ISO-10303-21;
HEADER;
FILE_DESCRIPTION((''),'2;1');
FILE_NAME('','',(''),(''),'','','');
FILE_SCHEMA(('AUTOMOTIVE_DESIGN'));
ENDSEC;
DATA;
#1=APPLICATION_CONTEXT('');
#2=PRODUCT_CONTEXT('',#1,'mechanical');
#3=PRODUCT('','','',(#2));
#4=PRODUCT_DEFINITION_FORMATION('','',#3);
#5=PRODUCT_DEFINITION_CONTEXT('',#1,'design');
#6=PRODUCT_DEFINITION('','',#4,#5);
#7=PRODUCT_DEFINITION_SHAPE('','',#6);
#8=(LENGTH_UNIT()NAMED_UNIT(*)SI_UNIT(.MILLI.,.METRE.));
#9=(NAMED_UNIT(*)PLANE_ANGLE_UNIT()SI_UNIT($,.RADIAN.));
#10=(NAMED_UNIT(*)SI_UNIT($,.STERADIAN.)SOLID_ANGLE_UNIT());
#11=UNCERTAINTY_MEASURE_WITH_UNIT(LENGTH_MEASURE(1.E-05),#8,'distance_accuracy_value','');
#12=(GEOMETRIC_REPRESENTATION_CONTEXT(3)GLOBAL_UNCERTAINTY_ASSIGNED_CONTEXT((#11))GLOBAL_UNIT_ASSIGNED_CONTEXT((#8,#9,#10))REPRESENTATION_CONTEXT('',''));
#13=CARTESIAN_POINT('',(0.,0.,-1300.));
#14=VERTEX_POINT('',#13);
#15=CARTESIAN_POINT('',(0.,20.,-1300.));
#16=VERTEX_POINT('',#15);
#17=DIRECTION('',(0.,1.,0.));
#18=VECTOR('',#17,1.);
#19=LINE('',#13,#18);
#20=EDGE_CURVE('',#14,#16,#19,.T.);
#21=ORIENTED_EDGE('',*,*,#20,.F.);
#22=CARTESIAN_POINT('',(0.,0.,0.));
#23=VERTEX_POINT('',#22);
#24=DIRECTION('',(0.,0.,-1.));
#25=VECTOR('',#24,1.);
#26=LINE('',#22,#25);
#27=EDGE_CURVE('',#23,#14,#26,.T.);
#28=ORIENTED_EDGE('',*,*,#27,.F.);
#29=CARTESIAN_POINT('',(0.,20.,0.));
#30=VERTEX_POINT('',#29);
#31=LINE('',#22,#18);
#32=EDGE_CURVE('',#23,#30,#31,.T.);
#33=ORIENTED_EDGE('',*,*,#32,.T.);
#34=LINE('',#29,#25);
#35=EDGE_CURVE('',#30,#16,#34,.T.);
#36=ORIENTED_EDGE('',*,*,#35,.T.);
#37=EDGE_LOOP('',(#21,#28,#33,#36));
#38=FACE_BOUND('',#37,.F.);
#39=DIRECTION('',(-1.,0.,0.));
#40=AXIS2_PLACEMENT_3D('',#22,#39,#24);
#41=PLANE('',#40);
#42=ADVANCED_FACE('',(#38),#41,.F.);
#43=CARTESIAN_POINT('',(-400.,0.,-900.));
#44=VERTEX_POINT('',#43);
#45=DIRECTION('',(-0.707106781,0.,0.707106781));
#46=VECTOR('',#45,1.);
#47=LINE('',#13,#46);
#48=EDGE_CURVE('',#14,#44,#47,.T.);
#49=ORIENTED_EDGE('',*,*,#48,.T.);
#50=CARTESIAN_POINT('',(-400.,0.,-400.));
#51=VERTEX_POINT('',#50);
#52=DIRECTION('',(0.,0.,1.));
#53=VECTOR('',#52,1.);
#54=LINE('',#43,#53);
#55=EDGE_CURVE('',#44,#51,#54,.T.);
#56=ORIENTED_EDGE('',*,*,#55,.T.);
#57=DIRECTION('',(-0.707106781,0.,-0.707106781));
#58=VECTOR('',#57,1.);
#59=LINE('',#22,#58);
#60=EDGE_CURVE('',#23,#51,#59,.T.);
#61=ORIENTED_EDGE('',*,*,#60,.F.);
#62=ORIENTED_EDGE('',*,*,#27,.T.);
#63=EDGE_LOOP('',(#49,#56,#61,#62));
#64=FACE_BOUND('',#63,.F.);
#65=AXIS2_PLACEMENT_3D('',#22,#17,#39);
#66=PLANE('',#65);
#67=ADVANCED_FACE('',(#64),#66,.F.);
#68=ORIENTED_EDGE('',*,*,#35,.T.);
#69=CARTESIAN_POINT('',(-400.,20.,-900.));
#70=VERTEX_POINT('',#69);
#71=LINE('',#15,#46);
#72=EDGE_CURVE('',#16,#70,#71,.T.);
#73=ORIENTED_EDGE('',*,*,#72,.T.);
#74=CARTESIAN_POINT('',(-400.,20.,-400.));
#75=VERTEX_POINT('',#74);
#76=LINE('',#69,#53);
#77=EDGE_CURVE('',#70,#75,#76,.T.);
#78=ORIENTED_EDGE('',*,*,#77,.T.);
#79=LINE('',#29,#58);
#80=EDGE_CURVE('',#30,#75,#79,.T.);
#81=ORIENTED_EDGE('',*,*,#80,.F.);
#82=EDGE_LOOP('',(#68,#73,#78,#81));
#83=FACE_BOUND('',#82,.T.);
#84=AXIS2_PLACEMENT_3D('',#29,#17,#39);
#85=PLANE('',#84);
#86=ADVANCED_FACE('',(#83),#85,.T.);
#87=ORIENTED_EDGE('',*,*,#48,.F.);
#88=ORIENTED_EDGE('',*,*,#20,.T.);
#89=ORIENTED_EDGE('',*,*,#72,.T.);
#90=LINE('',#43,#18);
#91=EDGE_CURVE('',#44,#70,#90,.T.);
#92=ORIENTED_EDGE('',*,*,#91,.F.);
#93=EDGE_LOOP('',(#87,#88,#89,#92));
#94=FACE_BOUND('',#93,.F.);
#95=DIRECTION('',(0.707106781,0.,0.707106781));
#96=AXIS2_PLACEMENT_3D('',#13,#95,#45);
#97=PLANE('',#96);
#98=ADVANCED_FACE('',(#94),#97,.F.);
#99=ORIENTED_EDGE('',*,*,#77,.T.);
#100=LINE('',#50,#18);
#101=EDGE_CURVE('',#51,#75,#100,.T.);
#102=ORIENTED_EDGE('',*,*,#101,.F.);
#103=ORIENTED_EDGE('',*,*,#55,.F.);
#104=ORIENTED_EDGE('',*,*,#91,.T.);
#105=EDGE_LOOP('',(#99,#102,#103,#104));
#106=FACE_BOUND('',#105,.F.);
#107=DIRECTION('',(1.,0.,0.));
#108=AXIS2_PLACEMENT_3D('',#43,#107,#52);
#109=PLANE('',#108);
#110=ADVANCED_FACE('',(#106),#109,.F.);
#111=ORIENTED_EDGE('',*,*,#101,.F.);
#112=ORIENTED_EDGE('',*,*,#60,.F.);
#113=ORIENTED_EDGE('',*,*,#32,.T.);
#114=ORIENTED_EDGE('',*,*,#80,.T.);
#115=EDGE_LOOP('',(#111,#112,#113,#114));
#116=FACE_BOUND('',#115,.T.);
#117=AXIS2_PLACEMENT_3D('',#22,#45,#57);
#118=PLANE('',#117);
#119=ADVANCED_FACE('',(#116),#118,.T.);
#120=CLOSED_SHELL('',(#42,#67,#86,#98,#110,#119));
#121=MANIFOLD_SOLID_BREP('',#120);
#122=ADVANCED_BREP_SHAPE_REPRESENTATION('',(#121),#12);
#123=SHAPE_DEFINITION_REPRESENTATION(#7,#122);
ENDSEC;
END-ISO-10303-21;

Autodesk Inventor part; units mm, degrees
ref_plane "YZ Plane" through (0, 0, 0) normal (1, 0, 0) x (0, 1, 0)
ref_plane "XZ Plane" through (0, 0, 0) normal (0, 1, 0) x (-1, 0, 0)
ref_plane "XY Plane" through (0, 0, 0) normal (0, 0, 1) x (1, 0, 0)
sketch "Sketch1" plane through (0, 0, 0) normal (0, 1, 0) x (-1, 0, 0)
  line L0 (0, 0) -> (0, -1300)
  line L1 (0, -1300) -> (400, -900)
  line L2 (400, -900) -> (400, -400)
  line L3 (0, 0) -> (400, -400)
  dimension "d0" = 45
  dimension "d1" = 45
  dimension "d2" = 500
  dimension "d3" = 1300
extrude "Extrusion1" add sketch "Sketch1" along normal blind 20
properties part number "top short"
